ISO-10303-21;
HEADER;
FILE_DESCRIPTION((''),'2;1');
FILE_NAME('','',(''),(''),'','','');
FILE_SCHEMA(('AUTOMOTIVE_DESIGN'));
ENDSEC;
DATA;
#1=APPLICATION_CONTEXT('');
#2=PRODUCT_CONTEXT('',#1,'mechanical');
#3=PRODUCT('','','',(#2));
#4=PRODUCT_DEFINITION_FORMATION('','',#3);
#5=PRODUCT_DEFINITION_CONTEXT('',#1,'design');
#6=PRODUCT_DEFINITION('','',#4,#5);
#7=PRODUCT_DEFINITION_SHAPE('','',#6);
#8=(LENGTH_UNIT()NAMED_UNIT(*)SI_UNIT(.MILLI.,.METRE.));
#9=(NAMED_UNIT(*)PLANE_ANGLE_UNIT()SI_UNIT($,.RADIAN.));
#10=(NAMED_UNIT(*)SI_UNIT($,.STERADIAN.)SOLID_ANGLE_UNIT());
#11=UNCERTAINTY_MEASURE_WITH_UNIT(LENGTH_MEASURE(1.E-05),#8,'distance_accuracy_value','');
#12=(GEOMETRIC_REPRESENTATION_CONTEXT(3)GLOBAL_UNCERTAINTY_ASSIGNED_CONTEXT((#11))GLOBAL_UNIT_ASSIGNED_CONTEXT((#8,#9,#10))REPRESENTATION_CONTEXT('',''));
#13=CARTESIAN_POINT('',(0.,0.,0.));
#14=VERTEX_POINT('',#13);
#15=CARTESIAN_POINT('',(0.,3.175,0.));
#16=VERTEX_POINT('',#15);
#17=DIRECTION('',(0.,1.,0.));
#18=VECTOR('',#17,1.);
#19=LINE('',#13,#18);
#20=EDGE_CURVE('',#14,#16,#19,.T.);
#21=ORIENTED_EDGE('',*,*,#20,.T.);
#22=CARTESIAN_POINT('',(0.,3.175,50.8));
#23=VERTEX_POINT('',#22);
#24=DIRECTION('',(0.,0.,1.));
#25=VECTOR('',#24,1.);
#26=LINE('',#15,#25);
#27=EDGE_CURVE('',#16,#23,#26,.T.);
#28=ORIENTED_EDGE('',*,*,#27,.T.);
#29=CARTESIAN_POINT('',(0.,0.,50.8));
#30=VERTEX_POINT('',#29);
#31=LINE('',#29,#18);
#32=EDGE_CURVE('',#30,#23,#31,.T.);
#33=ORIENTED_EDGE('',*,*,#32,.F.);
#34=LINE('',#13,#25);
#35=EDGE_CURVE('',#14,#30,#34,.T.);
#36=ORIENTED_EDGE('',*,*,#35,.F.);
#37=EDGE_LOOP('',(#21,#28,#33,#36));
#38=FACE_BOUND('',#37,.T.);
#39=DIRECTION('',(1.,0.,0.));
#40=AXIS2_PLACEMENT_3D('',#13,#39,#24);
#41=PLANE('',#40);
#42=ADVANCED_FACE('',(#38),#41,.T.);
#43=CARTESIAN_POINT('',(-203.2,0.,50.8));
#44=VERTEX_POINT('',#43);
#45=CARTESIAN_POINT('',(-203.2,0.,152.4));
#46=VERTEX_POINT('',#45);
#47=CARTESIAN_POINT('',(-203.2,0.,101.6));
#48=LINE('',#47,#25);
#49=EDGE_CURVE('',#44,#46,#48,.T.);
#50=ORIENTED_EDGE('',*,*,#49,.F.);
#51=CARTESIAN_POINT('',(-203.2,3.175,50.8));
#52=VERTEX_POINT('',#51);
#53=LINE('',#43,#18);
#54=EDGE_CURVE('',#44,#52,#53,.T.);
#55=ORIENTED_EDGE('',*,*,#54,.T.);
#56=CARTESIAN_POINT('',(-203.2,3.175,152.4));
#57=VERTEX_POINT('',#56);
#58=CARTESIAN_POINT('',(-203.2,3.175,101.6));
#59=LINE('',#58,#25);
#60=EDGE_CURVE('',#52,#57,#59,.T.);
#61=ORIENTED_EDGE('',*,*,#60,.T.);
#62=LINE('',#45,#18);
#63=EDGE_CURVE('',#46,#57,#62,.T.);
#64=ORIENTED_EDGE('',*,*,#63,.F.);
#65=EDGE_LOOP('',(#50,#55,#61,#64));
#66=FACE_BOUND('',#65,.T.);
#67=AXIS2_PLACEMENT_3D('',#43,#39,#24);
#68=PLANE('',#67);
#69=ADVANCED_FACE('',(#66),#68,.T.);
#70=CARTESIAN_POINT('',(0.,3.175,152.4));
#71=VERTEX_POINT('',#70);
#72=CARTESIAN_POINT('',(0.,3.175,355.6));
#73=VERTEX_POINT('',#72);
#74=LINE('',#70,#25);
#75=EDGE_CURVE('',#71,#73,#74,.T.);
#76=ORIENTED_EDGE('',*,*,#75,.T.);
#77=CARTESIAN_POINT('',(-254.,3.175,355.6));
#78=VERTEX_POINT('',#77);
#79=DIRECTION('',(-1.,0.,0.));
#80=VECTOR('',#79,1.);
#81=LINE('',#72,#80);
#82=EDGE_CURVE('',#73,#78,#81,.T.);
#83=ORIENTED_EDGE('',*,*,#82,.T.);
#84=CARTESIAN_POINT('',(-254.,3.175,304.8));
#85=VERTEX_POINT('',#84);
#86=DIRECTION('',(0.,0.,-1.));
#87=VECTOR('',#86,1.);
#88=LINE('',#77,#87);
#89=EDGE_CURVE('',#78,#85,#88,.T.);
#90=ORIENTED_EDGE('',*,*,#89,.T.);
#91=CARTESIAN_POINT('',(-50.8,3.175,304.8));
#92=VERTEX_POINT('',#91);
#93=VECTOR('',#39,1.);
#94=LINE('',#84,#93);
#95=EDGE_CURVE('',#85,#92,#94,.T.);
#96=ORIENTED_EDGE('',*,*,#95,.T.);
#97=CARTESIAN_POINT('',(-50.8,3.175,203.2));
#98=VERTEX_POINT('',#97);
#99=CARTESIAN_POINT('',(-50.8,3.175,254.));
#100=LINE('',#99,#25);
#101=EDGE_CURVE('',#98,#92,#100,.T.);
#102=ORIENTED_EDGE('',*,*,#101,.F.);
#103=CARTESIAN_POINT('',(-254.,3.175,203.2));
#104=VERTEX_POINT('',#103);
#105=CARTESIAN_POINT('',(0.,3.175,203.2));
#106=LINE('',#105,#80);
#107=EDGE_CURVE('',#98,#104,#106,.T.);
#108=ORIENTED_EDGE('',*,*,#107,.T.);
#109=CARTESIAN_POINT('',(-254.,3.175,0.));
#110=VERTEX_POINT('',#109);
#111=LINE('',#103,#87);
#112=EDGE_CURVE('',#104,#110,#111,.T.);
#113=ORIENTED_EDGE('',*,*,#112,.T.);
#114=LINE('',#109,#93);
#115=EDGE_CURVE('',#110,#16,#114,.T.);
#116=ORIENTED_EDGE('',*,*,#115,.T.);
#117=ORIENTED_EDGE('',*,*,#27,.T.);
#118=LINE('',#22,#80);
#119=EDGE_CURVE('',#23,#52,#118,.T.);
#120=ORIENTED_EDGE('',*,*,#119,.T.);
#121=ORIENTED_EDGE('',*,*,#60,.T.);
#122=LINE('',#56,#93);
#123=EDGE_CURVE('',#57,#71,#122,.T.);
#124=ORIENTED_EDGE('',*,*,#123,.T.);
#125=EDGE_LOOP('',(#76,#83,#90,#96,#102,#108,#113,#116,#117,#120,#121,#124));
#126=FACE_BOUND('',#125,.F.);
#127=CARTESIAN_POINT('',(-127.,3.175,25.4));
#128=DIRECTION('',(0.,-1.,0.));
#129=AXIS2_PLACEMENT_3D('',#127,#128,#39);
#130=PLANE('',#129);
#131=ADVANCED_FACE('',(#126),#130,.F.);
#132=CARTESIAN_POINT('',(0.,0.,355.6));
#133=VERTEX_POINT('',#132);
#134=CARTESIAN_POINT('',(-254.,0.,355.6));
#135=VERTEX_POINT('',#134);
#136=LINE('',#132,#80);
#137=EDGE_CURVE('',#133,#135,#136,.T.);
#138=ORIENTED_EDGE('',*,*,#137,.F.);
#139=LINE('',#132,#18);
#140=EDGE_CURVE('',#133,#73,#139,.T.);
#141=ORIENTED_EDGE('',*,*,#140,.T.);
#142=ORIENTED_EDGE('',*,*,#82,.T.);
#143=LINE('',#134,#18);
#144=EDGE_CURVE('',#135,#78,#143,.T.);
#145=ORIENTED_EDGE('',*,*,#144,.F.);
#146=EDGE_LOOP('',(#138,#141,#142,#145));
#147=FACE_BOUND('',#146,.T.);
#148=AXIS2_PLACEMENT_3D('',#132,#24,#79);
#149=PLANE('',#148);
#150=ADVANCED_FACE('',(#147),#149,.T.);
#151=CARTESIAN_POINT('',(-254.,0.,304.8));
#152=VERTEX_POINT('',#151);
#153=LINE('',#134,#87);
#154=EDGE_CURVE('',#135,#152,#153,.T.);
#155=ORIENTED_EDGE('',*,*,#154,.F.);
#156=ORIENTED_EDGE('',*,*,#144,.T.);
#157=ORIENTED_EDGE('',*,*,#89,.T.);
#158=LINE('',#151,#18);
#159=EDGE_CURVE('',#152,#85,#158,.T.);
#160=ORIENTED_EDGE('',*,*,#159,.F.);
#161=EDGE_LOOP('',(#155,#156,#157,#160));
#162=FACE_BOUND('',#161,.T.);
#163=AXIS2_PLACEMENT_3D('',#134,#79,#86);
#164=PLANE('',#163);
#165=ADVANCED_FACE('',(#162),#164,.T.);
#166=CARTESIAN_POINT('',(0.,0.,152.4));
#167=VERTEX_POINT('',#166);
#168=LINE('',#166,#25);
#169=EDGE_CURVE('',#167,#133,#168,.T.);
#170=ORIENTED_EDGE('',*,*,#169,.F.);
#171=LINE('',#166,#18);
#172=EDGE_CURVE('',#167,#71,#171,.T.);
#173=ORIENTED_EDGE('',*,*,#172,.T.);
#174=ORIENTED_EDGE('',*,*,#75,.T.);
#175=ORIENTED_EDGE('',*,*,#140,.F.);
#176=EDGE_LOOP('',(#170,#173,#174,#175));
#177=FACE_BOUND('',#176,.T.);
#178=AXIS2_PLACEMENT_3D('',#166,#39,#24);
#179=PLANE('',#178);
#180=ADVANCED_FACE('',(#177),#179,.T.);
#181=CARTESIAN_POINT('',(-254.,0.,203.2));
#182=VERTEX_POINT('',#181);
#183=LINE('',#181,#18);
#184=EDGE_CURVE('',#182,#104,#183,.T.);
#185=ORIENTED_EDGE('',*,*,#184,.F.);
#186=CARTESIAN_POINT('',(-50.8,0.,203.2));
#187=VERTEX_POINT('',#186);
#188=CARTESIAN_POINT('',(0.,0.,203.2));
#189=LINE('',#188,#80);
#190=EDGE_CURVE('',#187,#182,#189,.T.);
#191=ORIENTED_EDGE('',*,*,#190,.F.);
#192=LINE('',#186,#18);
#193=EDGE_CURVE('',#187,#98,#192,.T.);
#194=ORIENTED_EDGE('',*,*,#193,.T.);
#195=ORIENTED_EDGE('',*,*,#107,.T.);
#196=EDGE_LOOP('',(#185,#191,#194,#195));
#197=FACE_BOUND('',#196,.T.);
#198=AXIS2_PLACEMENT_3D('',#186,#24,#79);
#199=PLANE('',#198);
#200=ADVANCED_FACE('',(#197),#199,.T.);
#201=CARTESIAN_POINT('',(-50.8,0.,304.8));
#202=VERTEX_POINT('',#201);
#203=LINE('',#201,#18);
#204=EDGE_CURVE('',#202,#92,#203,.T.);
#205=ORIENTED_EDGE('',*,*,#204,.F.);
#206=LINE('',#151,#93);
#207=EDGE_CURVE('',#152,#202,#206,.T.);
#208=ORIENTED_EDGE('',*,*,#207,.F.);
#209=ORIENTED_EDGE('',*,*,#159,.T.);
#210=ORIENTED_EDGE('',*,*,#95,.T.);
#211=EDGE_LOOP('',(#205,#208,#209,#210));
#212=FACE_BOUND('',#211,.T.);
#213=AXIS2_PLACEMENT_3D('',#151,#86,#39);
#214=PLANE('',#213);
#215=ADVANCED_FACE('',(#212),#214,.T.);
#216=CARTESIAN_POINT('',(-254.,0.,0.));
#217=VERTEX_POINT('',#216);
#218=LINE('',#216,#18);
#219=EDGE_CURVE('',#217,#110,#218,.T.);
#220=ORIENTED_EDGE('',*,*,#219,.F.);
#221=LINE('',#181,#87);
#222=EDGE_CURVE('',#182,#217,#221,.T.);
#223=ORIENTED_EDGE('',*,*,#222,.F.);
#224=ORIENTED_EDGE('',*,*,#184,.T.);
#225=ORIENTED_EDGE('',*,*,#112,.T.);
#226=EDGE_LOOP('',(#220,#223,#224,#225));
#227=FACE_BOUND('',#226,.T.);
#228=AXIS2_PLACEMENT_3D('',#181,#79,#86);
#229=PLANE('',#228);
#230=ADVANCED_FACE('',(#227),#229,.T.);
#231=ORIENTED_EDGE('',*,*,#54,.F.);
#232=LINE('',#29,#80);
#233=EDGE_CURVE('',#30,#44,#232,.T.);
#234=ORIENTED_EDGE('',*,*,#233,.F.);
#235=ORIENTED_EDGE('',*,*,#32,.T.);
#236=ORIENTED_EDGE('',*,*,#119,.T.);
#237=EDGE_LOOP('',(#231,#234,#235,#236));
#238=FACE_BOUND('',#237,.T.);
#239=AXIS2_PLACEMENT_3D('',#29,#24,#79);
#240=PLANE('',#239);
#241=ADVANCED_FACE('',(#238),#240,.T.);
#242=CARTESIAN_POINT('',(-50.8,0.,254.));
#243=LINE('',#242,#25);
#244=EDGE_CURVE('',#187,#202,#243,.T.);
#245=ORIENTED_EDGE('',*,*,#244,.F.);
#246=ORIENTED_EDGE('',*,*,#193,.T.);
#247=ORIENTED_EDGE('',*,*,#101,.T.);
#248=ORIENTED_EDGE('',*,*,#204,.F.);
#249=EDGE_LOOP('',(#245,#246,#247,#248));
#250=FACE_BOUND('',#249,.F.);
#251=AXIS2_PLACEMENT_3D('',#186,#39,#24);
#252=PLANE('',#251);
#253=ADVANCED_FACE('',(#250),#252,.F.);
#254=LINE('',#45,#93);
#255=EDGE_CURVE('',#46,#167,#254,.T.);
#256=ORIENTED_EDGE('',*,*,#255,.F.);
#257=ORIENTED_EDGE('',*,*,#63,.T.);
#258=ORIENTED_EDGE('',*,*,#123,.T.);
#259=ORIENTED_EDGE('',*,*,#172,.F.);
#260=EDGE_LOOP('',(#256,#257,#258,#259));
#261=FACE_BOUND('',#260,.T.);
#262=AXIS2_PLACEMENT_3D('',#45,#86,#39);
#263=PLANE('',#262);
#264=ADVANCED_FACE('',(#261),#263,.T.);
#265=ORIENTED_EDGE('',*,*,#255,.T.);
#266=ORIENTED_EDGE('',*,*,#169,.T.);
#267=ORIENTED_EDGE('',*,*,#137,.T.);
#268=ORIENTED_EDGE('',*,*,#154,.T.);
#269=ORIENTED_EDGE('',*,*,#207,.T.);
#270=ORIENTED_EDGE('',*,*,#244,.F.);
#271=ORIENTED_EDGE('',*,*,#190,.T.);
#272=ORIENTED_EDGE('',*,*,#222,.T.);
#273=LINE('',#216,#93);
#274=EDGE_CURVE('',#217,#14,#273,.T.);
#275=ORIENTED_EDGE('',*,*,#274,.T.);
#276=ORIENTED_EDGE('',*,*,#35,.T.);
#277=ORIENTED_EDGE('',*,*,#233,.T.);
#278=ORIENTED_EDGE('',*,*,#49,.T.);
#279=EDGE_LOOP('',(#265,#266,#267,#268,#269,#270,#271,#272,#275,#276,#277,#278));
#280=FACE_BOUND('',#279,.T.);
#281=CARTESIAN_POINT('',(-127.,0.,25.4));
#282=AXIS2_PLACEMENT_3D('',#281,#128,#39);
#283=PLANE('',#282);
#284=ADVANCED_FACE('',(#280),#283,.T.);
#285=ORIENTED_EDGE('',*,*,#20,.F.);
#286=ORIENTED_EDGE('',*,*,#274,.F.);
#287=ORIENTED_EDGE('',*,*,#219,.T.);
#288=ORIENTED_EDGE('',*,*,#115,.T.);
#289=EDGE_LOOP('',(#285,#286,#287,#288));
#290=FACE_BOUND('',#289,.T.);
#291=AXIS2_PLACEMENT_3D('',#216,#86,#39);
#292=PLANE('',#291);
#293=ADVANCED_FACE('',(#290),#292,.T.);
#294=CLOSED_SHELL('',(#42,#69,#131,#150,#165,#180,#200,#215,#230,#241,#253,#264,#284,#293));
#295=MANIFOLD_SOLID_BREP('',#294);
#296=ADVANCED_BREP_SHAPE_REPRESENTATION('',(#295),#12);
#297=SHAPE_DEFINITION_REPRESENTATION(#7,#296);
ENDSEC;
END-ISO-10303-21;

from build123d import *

# Parameters (mm, degrees)
F0_W     = 50.8
F0_H     = 101.6
F1_DEPTH = 3.175


with BuildPart() as f1:
    # F0 (on Front) → F1 (new body)
    with BuildSketch(Plane.XZ):
        Polygon((-254, 0), (0, 0), (0, 50.8), (-203.2, 50.8), (-254, 50.8), align=None)
        with Locations((-228.6, 101.6)):
            Rectangle(F0_W, F0_H)
        Polygon((-254, 203.2), (-254, 152.4), (-203.2, 152.4), (0, 152.4), (0, 203.2), (-50.8, 203.2), align=None)
        with Locations((-25.4, 254)):
            Rectangle(F0_W, F0_H)
        Polygon((-254, 304.8), (-50.8, 304.8), (0, 304.8), (0, 355.6), (-254, 355.6), align=None)
    extrude(amount=-F1_DEPTH)


solid = f1.part
